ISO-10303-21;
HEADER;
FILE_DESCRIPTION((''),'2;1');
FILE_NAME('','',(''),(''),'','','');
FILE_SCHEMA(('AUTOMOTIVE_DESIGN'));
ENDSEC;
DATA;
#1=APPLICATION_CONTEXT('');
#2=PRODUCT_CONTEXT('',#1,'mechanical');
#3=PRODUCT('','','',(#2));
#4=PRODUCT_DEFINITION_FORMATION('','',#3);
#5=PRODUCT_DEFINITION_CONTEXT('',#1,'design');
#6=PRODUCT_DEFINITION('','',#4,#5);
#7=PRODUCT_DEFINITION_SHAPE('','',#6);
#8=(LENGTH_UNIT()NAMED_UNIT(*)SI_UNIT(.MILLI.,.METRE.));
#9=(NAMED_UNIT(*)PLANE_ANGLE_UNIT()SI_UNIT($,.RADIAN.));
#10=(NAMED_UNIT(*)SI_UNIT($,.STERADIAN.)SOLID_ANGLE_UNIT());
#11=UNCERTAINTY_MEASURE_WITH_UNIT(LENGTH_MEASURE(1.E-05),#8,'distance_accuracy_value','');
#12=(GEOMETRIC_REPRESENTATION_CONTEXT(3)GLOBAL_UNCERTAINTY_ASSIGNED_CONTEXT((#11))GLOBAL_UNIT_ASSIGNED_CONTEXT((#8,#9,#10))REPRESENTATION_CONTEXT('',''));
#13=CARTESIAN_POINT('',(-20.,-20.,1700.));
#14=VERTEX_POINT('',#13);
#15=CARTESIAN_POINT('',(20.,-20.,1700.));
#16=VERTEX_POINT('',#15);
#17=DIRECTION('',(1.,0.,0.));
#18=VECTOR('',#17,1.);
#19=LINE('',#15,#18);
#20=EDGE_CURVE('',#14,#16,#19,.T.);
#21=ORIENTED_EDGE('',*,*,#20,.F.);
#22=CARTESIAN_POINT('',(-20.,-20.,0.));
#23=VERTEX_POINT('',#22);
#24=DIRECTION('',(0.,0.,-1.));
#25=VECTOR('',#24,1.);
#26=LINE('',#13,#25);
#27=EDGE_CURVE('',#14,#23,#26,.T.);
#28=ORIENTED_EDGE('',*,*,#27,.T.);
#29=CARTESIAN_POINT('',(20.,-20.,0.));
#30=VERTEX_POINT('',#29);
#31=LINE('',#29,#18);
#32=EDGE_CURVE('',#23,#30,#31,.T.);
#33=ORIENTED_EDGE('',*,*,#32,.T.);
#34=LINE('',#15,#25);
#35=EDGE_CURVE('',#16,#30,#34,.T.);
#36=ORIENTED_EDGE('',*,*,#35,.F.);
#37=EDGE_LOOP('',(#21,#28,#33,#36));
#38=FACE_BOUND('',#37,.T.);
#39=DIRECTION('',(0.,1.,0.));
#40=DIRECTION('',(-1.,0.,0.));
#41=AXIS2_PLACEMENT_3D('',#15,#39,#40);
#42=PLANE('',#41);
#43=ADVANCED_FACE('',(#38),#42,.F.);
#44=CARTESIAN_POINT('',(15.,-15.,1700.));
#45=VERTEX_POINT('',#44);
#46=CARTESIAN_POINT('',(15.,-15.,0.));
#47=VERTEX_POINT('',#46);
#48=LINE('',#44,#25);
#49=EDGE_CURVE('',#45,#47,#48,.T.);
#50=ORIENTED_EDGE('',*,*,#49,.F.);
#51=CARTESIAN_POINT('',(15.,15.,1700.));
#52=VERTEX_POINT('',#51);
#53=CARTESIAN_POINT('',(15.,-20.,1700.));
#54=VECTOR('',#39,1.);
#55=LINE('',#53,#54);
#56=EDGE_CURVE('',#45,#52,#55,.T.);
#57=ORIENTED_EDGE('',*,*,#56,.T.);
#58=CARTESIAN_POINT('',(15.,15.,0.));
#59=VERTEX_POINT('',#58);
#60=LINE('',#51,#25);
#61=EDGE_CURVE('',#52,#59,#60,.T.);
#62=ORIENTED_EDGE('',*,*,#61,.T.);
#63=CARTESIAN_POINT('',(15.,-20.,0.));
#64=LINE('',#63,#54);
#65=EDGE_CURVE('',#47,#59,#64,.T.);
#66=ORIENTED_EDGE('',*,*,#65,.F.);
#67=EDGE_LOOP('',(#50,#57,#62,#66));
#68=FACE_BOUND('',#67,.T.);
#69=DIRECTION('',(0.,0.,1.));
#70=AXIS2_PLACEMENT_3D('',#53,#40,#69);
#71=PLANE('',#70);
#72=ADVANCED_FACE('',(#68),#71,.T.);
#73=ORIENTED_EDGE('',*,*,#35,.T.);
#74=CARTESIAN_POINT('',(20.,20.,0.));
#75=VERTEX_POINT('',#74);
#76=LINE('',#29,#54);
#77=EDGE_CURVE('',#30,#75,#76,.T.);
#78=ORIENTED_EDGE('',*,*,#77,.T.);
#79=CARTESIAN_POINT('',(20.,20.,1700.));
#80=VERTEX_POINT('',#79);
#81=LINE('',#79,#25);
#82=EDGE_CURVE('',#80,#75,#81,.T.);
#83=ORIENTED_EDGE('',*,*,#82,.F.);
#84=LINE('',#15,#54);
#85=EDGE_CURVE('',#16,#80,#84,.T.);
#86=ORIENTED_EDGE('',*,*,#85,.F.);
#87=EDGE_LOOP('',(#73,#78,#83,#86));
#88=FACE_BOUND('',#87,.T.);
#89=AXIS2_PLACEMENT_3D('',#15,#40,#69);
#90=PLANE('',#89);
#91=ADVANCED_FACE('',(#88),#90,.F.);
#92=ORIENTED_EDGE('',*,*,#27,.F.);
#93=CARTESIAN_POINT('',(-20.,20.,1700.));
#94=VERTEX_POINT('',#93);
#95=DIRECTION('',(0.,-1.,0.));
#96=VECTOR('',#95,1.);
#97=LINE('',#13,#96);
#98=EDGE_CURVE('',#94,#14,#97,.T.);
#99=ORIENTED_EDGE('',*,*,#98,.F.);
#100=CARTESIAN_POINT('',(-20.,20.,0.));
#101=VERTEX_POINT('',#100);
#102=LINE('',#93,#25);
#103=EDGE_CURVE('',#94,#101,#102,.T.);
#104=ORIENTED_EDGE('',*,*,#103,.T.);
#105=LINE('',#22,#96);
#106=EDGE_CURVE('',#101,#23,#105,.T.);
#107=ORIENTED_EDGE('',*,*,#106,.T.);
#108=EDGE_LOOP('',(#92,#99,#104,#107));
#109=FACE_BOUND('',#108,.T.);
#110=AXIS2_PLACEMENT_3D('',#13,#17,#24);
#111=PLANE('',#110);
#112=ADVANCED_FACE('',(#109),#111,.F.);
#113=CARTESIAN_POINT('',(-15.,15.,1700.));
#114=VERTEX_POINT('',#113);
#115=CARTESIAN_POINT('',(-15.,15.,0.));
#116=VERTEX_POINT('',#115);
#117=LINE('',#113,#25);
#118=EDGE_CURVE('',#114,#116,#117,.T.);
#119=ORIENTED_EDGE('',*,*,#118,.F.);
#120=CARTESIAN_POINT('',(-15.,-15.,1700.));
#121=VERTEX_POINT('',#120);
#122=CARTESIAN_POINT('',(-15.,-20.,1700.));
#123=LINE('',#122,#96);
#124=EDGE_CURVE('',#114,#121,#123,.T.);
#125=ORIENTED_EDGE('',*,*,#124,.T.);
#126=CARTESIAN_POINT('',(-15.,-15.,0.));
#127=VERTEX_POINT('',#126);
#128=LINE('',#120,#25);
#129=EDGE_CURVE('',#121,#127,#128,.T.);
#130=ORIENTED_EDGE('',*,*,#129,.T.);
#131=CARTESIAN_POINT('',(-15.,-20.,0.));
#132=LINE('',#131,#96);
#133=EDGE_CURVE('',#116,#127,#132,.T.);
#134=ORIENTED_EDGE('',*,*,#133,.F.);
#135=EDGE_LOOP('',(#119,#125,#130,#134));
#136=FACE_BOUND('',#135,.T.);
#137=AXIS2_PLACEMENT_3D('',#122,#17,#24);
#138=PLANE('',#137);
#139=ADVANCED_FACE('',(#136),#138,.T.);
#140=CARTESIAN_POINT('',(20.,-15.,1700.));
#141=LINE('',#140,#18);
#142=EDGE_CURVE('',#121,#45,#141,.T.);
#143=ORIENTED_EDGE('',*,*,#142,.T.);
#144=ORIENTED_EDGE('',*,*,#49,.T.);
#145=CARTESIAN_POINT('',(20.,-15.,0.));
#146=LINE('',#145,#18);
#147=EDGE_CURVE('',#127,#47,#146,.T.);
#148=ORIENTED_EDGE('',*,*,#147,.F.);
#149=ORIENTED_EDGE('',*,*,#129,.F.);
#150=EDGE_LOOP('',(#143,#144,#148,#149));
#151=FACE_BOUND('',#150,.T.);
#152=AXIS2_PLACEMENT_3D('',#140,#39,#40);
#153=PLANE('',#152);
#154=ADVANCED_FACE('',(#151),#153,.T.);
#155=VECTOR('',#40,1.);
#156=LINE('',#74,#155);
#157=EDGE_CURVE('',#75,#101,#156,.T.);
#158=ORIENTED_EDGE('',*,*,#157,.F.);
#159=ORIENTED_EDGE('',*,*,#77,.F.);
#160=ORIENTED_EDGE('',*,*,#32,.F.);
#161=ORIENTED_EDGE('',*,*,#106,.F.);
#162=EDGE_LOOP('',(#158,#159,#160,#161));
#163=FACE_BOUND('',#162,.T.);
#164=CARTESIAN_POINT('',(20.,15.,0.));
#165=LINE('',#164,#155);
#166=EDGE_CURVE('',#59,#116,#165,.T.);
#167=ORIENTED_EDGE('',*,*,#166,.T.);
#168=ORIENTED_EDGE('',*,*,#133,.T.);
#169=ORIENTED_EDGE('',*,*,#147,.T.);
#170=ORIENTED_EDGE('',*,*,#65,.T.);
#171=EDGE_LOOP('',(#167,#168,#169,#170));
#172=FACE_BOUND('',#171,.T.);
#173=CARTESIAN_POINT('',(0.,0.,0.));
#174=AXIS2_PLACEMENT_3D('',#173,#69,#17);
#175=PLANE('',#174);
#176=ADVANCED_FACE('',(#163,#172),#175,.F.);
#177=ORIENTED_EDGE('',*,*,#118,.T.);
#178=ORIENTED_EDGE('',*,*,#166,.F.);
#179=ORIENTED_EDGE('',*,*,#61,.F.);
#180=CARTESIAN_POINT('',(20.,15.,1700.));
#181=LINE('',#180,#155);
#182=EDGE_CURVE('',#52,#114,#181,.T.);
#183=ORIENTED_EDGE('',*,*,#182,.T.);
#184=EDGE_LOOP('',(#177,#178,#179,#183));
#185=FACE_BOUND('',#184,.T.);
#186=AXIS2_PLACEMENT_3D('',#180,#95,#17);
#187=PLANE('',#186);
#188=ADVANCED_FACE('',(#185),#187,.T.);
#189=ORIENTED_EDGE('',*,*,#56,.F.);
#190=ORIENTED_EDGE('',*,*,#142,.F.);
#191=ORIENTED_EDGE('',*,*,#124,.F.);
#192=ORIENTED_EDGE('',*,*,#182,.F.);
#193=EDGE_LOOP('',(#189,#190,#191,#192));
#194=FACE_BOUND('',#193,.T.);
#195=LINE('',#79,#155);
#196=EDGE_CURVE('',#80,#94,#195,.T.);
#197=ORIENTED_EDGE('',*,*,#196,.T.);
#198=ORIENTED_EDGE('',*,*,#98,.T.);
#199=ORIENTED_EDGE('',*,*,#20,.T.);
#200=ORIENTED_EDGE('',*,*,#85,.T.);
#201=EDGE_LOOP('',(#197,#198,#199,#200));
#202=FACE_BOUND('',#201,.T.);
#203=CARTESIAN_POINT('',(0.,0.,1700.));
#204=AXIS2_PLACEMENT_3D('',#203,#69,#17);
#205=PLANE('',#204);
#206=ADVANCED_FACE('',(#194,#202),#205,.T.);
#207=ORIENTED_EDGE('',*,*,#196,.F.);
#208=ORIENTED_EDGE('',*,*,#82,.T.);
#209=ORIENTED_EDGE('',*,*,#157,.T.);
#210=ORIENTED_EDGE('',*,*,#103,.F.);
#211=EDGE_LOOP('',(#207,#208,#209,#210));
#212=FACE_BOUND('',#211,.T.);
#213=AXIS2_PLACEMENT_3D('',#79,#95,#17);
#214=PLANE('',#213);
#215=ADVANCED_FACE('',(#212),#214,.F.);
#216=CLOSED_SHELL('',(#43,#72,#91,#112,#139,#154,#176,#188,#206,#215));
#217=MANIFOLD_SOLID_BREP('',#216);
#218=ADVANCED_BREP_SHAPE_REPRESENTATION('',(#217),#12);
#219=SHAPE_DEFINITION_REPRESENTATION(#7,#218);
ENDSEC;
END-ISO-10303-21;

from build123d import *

# Parameters (mm, degrees)
SKETCH_1_W      = 40
SKETCH_1_H      = 40
EXTRUDE_1_DEPTH = 1700
SHELL_1_T       = -5


with BuildPart() as part:
    # 草图1 → 凸台-拉伸1 (new body)
    with BuildSketch(Plane.XY):
        Rectangle(SKETCH_1_W, SKETCH_1_H)
    extrude(amount=EXTRUDE_1_DEPTH)

    # 抽壳1
    shell_1_openings = [part.faces().sort_by_distance(p)[0] for p in [
        (0, 0, 1700),
        (0, 0, 0),
    ]]
    offset(amount=SHELL_1_T, openings=shell_1_openings, kind=Kind.INTERSECTION)


solid = part.part
